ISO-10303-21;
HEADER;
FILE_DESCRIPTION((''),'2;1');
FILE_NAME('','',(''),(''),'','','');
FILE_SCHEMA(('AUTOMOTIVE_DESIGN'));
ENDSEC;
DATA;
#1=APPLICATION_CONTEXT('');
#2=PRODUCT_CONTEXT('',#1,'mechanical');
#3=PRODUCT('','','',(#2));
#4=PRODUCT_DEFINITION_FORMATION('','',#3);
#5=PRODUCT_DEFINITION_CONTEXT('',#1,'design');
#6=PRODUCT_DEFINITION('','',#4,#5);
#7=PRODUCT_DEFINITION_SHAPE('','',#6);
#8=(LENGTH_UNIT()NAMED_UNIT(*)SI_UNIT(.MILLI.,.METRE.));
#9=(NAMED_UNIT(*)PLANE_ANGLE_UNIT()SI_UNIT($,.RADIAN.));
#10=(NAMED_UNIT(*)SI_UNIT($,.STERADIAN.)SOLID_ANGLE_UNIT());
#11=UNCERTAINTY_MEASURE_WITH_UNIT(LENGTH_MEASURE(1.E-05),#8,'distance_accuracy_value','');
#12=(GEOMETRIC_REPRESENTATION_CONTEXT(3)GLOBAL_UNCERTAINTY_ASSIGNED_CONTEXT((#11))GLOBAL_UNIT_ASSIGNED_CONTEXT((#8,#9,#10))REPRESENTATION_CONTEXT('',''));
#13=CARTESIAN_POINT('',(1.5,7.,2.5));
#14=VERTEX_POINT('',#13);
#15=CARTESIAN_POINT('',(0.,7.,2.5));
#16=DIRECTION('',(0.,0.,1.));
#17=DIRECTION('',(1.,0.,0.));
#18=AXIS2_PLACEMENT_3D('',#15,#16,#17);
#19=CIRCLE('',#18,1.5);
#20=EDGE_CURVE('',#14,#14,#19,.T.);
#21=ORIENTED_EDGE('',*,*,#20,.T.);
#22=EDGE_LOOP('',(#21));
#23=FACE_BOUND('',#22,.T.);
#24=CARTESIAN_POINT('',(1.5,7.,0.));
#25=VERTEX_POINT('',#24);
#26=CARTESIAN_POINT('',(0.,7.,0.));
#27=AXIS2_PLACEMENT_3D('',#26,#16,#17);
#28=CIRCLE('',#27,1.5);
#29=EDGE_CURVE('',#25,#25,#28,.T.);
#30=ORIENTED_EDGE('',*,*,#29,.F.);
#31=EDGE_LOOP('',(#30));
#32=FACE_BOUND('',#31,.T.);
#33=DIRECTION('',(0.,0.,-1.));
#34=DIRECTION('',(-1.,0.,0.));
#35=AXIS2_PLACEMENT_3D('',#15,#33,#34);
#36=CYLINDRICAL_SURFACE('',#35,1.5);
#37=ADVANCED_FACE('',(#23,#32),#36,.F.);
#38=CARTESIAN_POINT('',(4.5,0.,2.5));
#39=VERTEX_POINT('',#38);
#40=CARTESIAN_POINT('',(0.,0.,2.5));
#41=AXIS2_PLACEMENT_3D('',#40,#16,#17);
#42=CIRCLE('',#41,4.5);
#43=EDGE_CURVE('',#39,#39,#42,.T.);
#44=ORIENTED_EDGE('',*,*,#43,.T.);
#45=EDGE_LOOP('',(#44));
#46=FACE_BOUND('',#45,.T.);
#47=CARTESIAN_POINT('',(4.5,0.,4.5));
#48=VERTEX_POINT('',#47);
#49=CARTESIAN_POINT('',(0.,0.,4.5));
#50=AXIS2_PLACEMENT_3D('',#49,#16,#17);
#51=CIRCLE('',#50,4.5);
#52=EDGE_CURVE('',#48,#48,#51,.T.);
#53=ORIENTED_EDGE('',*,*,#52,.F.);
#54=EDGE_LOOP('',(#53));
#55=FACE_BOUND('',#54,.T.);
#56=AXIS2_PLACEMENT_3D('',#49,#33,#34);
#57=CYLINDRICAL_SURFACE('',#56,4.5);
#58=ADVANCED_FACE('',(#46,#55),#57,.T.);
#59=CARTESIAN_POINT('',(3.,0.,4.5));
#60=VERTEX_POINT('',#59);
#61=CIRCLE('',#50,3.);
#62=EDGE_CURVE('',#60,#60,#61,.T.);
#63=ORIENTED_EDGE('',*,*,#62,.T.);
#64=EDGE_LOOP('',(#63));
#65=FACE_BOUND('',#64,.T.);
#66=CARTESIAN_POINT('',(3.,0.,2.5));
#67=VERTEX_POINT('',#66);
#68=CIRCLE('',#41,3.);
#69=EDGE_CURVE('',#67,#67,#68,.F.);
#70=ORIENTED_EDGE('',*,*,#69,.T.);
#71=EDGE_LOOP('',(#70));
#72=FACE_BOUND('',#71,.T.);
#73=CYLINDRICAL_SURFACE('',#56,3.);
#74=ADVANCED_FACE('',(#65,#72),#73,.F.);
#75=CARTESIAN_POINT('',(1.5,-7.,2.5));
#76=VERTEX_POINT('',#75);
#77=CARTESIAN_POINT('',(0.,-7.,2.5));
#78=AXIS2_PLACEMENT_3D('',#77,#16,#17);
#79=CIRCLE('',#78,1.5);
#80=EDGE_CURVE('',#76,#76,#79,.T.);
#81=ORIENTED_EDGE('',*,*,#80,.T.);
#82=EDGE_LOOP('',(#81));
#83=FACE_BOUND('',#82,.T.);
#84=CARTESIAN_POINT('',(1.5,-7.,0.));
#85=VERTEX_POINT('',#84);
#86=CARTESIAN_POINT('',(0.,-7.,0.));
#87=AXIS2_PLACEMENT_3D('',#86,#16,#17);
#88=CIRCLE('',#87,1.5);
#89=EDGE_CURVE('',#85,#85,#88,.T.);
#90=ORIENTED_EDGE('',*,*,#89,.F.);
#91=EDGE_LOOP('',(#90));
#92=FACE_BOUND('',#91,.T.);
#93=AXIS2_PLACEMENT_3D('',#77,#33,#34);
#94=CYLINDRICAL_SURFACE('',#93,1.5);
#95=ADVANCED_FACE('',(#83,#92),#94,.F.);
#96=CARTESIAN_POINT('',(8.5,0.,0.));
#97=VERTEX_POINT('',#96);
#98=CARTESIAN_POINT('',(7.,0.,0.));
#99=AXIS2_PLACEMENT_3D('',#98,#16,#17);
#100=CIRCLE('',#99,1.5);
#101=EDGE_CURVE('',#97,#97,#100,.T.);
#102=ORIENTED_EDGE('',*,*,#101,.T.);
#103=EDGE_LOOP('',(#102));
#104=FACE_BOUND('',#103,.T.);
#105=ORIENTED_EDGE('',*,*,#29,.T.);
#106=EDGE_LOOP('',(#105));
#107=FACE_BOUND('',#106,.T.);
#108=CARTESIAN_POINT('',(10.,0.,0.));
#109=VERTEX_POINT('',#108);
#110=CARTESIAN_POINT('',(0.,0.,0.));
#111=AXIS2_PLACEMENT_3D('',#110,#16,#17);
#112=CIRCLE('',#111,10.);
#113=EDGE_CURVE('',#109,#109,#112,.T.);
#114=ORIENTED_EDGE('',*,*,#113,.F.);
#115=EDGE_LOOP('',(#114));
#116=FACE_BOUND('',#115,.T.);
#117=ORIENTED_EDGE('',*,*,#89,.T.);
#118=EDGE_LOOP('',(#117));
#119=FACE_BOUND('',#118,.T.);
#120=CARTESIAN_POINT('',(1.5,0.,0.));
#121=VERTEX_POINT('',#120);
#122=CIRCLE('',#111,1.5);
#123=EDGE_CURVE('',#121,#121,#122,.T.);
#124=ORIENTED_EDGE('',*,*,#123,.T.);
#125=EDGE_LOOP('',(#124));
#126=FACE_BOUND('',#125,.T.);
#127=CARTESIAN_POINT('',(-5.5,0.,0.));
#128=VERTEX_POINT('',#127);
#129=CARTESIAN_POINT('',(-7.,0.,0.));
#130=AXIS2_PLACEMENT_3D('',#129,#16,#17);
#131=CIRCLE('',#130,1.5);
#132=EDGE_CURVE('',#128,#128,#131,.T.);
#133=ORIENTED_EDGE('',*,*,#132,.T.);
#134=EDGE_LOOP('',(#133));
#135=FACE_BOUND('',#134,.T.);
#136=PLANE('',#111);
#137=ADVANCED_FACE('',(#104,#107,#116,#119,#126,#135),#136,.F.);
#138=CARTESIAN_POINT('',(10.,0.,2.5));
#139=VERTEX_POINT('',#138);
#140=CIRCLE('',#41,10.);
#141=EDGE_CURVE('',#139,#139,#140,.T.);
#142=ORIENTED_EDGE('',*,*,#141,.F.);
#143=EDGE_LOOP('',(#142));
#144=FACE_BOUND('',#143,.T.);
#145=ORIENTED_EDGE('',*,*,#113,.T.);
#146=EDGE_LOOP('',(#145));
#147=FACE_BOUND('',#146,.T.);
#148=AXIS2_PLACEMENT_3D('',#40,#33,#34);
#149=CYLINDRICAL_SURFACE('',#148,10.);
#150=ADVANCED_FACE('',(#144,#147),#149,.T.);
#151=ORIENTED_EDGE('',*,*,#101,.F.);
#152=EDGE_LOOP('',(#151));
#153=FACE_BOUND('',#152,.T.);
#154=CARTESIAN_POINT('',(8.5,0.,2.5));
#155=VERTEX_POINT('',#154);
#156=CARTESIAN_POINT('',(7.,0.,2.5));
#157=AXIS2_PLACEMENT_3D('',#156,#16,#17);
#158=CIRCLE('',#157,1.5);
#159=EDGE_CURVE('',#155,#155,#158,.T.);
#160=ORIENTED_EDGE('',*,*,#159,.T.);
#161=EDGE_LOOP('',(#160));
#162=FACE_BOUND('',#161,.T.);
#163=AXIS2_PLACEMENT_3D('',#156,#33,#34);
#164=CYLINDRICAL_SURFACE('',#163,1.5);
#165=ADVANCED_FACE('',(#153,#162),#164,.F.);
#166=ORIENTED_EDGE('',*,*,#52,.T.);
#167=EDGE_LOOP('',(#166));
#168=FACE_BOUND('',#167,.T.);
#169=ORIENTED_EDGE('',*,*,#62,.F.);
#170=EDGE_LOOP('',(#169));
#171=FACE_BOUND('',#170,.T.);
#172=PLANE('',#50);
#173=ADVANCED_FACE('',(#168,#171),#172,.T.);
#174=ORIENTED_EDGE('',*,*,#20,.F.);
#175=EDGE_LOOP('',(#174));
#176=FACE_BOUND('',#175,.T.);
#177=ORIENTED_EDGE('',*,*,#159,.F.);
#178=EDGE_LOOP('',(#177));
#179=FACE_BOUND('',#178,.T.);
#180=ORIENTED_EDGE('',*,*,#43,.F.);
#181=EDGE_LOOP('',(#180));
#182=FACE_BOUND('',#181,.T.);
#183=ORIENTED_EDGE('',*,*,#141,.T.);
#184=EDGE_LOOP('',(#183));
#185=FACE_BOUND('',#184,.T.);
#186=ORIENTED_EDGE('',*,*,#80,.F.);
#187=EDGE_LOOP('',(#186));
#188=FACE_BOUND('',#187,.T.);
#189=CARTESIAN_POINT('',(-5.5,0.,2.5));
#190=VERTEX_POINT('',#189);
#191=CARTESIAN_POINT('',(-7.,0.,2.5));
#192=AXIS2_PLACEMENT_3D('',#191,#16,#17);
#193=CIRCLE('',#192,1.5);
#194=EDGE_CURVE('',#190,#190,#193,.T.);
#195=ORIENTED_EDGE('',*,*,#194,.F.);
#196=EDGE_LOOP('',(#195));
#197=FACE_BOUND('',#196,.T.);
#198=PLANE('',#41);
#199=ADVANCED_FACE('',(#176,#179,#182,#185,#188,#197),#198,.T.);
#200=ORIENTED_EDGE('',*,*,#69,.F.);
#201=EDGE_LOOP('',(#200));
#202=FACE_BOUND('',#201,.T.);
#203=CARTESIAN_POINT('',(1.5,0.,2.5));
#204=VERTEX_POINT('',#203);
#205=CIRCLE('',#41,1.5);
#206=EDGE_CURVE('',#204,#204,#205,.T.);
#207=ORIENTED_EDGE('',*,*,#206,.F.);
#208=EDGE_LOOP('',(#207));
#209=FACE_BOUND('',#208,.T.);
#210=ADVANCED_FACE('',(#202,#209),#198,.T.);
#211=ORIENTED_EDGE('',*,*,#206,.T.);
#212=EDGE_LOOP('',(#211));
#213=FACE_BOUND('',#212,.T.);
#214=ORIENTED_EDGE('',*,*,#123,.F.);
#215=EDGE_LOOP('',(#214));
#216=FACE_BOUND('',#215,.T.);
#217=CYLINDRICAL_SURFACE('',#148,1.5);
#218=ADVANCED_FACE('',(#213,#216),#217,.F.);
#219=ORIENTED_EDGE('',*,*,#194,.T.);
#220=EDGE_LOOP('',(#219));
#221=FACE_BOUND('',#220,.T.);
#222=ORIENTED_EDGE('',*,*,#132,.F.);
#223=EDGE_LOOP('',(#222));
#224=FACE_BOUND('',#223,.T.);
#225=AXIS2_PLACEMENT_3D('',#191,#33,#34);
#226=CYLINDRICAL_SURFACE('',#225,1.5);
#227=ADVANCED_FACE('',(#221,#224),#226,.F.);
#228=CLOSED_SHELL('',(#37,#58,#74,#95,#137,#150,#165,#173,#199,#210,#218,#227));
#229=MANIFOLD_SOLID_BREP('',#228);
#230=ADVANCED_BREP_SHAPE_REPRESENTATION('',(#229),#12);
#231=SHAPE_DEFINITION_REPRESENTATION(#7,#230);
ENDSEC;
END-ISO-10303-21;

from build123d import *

# Parameters (mm, degrees)
SKETCH_1_R      = 10
SKETCH_1_R_2    = 1.5
EXTRUDE_1_DEPTH = 2.5
SKETCH_2_R      = 4.5
SKETCH_2_R_2    = 3
EXTRUDE_2_DEPTH = 2


with BuildPart() as part:
    # 草图1 → 凸台-拉伸1 (new body)
    with BuildSketch(Plane.XY):
        Circle(SKETCH_1_R)
        Circle(SKETCH_1_R_2, mode=Mode.SUBTRACT)
        with Locations((0, 7)):
            Circle(SKETCH_1_R_2, mode=Mode.SUBTRACT)
        with Locations((-7, 0)):
            Circle(SKETCH_1_R_2, mode=Mode.SUBTRACT)
        with Locations((7, 0)):
            Circle(SKETCH_1_R_2, mode=Mode.SUBTRACT)
        with Locations((0, -7)):
            Circle(SKETCH_1_R_2, mode=Mode.SUBTRACT)
    extrude(amount=EXTRUDE_1_DEPTH)

    # 草图2 → 凸台-拉伸2 (add)
    with BuildSketch(Plane.XY.offset(2.5)):
        Circle(SKETCH_2_R)
        Circle(SKETCH_2_R_2, mode=Mode.SUBTRACT)
    extrude(amount=EXTRUDE_2_DEPTH)


solid = part.part
